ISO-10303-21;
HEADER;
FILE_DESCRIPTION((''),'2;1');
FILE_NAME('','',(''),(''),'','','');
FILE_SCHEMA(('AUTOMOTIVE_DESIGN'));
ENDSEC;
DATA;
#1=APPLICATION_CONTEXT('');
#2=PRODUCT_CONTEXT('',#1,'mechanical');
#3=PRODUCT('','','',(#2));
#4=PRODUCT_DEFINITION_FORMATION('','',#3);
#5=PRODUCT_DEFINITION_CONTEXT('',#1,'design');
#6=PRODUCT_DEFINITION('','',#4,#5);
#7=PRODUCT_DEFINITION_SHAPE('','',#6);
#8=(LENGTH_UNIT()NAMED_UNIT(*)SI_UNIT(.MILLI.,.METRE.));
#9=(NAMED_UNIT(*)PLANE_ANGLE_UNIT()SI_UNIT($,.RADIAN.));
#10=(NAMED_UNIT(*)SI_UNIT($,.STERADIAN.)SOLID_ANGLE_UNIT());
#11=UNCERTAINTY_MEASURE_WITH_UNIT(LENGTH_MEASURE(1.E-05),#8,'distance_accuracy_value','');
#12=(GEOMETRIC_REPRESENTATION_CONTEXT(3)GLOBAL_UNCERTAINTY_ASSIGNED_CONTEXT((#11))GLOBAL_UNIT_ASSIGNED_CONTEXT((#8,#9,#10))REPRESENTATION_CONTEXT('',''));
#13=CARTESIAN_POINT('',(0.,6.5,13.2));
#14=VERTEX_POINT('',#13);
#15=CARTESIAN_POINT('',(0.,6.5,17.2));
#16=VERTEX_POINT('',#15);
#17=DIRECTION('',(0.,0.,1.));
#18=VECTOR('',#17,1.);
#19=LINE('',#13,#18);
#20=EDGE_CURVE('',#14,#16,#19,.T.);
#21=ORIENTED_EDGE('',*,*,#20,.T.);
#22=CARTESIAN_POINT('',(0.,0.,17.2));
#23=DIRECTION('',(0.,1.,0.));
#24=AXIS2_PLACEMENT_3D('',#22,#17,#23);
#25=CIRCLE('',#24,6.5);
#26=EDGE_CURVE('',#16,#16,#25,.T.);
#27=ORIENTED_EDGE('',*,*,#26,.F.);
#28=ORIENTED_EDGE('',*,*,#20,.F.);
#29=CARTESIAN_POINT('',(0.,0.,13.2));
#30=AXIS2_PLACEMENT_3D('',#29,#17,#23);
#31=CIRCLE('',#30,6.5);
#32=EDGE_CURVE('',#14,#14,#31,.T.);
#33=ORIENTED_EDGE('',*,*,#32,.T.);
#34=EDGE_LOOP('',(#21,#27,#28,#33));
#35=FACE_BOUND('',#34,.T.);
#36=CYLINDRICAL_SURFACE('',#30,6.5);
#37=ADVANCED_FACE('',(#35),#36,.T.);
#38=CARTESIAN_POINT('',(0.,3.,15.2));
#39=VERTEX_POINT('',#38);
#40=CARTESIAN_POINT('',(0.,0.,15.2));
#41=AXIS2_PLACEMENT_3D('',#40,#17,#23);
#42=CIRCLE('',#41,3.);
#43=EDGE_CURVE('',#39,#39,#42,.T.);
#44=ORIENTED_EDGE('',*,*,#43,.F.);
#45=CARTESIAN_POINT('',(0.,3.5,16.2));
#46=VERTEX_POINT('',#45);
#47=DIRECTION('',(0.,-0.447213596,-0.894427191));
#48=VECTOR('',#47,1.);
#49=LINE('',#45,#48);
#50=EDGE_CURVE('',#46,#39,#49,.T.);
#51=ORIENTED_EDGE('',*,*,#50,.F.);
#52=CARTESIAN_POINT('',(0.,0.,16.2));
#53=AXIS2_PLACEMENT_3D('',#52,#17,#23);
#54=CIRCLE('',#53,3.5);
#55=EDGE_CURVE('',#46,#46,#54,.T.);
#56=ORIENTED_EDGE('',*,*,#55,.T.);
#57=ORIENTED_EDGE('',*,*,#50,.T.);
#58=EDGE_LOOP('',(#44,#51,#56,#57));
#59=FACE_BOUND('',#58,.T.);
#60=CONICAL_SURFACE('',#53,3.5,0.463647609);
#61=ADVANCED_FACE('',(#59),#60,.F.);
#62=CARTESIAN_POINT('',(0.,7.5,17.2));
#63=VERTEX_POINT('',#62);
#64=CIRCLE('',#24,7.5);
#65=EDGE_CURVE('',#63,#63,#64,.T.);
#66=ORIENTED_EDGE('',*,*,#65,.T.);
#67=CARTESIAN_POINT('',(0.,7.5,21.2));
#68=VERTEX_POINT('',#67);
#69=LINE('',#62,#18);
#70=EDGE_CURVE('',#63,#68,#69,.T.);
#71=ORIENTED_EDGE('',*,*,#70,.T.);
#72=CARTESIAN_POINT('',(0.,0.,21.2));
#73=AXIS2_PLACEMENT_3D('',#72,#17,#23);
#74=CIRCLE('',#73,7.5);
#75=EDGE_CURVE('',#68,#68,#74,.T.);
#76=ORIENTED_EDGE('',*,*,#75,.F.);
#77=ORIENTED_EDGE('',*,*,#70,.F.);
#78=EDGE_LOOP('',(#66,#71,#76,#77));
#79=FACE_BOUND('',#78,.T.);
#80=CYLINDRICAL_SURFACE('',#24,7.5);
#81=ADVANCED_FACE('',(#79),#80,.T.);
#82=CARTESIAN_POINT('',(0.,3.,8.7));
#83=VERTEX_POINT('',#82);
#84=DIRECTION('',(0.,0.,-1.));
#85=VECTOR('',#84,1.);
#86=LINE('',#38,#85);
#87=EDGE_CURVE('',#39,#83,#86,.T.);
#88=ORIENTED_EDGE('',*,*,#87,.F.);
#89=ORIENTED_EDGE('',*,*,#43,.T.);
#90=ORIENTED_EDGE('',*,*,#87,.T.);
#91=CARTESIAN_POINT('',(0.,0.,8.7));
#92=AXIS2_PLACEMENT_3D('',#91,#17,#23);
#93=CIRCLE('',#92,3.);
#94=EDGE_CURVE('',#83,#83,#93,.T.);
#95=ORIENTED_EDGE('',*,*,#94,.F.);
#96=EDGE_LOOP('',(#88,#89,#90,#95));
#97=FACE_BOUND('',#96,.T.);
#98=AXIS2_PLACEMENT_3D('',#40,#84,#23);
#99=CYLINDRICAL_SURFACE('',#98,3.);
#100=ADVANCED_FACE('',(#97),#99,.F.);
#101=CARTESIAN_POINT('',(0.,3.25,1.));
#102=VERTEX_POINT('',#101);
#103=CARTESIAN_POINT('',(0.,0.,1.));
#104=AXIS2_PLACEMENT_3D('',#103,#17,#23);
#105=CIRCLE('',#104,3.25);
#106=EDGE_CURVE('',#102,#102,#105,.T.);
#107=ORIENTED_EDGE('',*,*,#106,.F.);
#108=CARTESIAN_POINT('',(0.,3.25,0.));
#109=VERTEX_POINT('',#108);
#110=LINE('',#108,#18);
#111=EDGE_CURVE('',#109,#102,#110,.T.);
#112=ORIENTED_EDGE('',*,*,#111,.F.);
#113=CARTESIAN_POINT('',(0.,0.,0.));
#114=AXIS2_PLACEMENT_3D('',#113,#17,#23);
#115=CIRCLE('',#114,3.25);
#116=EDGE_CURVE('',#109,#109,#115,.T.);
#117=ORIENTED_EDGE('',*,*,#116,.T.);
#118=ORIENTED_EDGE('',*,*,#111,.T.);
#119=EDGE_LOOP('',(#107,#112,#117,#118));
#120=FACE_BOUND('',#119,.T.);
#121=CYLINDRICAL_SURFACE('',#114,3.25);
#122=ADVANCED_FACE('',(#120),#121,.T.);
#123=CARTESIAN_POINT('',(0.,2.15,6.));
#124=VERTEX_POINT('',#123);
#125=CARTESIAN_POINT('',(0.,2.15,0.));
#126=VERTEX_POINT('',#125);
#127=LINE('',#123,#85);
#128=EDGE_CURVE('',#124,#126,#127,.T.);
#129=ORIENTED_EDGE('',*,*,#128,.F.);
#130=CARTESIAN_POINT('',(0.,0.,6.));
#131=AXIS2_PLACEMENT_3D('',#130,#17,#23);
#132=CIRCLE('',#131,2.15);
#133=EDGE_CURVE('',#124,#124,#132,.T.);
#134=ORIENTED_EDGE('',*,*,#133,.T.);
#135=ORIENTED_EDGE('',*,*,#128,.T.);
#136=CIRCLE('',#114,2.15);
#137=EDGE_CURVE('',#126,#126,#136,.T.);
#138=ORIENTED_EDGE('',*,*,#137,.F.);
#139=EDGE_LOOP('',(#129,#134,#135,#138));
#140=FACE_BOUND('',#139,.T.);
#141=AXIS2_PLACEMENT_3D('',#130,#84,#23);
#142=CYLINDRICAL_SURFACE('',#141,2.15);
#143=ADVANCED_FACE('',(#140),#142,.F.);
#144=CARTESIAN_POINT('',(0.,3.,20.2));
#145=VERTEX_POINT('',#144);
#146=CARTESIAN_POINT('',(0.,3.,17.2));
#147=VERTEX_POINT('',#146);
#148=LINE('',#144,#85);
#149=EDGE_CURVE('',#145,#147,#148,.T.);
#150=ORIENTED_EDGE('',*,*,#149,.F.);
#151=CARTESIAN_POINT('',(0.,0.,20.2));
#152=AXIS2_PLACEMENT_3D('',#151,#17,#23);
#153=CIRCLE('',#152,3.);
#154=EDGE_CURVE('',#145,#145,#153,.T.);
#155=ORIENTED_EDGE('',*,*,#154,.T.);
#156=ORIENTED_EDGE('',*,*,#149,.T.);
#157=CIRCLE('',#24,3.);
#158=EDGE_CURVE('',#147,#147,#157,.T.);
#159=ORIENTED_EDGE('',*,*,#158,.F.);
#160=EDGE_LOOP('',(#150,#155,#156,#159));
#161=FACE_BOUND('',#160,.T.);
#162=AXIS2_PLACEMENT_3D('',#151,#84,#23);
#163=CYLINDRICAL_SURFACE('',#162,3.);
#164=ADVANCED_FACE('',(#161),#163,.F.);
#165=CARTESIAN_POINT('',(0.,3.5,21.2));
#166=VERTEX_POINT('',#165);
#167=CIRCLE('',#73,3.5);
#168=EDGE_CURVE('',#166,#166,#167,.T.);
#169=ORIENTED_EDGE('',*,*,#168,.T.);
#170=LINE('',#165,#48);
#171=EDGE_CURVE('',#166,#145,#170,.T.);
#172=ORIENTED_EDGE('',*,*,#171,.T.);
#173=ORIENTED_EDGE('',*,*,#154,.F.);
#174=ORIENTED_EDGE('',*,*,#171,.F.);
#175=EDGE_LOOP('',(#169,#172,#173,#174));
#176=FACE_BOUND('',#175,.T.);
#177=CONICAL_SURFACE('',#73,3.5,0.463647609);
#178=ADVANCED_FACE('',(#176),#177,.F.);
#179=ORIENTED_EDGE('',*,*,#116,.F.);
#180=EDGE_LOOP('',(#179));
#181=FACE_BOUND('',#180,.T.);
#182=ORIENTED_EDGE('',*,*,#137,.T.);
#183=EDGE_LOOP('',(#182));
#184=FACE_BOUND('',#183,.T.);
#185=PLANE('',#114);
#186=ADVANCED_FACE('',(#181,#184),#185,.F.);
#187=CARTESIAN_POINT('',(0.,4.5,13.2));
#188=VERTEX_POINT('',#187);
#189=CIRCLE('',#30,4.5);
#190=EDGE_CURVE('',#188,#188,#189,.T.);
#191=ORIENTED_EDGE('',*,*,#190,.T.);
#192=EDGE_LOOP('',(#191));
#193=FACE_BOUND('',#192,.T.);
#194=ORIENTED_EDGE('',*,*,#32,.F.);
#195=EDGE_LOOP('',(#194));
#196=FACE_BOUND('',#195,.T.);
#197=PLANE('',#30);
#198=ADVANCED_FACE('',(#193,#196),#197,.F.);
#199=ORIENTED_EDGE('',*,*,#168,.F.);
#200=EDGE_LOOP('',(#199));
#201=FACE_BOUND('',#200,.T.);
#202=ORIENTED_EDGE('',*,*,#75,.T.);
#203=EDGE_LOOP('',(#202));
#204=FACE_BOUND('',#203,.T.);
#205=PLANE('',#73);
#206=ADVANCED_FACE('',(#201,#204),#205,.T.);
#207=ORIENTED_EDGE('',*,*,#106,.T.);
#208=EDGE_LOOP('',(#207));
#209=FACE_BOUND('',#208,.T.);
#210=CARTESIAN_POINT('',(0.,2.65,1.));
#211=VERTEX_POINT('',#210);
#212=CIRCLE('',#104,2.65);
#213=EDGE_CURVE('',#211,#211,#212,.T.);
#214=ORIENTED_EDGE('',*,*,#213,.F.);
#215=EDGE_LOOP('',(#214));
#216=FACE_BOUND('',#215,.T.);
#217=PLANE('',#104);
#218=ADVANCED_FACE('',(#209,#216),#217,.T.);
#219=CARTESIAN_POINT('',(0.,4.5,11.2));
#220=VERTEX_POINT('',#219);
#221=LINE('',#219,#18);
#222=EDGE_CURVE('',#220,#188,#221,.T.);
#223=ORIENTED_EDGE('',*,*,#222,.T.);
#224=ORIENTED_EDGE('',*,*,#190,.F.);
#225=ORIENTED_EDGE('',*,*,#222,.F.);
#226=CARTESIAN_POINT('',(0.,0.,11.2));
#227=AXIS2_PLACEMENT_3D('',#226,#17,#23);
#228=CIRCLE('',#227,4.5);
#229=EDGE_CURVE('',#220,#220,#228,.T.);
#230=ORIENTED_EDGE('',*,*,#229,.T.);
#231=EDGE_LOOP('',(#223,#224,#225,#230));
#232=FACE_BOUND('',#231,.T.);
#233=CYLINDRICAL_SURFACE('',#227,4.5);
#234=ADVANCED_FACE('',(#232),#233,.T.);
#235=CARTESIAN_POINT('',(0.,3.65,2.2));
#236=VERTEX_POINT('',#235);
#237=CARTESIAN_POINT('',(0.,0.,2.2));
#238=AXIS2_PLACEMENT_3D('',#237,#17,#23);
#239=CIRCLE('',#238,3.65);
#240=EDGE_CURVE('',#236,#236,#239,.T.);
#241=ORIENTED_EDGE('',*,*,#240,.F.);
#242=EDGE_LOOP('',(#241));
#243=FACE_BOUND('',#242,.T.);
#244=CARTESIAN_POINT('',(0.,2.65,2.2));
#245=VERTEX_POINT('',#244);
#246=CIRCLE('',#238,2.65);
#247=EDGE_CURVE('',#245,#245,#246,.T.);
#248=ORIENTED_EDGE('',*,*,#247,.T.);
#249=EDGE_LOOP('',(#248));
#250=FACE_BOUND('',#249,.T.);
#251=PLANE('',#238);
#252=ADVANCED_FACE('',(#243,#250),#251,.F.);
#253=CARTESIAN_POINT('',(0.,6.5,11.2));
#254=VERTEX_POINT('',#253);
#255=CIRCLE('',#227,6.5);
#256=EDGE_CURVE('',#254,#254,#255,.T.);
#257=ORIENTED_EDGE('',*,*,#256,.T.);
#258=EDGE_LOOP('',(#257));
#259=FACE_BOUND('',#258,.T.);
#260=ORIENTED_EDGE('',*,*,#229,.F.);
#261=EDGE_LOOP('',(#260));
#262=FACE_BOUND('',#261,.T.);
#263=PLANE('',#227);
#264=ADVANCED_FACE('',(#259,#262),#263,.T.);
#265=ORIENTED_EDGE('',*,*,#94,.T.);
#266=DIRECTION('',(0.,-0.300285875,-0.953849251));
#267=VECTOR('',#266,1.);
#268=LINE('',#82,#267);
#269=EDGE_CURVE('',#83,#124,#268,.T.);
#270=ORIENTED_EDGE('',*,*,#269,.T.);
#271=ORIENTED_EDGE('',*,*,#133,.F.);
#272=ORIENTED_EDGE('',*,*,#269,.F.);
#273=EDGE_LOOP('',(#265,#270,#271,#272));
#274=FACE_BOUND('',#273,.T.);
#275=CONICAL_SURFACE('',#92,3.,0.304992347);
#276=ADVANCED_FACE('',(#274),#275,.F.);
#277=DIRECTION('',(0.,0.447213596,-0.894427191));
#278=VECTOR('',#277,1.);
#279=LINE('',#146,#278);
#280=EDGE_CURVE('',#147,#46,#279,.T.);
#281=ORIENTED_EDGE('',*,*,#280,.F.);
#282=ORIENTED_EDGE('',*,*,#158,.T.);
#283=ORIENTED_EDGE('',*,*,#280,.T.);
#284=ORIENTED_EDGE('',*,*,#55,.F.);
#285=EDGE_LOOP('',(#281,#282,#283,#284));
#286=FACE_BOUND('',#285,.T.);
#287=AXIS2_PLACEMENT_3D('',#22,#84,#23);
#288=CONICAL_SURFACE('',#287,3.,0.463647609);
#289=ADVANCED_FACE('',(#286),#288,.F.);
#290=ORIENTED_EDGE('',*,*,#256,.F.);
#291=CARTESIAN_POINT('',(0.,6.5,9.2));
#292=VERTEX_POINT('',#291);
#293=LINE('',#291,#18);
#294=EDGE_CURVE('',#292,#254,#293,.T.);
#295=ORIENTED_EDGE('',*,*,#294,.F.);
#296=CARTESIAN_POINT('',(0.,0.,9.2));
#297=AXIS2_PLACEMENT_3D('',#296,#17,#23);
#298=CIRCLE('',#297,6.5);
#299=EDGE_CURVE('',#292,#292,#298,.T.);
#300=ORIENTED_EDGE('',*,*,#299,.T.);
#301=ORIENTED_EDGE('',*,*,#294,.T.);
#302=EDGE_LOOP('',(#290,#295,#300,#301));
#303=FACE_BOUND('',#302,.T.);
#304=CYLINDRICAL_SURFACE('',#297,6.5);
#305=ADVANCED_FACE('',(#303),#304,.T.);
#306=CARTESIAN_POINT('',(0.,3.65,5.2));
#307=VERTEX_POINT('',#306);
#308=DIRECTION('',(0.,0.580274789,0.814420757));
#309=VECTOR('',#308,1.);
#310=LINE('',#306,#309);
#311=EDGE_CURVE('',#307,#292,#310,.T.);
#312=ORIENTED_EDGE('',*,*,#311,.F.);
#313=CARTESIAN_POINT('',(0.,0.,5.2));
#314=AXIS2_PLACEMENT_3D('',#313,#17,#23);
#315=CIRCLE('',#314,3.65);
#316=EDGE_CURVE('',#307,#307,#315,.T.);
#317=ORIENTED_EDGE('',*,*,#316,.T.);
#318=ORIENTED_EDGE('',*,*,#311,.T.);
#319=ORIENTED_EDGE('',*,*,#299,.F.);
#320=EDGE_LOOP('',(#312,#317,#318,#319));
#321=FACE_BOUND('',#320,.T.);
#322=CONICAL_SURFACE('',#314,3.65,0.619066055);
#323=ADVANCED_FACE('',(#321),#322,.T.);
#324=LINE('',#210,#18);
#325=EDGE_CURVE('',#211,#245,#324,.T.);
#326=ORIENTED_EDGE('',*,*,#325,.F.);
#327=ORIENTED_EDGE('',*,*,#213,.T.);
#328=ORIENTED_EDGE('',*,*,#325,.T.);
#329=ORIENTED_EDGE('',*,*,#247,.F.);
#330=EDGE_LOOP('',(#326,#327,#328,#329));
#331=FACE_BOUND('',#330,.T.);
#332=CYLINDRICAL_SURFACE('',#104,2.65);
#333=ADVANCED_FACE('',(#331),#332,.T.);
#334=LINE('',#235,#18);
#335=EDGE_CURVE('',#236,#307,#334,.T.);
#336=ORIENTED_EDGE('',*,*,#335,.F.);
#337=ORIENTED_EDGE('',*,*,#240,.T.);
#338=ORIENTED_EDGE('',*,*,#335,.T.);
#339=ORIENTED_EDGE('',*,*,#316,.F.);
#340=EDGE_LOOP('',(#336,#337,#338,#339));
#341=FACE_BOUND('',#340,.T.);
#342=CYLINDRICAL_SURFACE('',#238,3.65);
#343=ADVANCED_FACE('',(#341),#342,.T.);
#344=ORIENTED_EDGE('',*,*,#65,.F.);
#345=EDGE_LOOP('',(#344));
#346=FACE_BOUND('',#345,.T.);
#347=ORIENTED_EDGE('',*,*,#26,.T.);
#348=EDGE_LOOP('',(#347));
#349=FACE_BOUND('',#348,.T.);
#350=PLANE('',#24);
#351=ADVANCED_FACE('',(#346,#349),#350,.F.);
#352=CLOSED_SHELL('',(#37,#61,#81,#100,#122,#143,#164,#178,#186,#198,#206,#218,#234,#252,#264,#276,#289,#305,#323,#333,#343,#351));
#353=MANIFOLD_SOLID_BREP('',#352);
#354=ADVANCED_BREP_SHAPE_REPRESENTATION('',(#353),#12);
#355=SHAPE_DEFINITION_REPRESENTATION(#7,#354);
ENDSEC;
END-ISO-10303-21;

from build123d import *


with BuildPart() as f1:
    # F0 (on Right) → F1 (revolve)
    with BuildSketch(Plane.YZ):
        Polygon((2.15, 6), (2.15, 0), (3.25, 0), (3.25, 1), (2.65, 1), (2.65, 2.2), (3.65, 2.2), (3.65, 5.2), (6.5, 9.2), (6.5, 11.2), (4.5, 11.2), (4.5, 13.2), (6.5, 13.2), (6.5, 17.2), (7.5, 17.2), (7.5, 21.2), (3.5, 21.2), (3, 20.2), (3, 17.2), (3.5, 16.2), (3, 15.2), (3, 8.7), align=None)
    revolve(axis=Axis((0, 0, 2.135091), (0, 0, 1)))


solid = f1.part
